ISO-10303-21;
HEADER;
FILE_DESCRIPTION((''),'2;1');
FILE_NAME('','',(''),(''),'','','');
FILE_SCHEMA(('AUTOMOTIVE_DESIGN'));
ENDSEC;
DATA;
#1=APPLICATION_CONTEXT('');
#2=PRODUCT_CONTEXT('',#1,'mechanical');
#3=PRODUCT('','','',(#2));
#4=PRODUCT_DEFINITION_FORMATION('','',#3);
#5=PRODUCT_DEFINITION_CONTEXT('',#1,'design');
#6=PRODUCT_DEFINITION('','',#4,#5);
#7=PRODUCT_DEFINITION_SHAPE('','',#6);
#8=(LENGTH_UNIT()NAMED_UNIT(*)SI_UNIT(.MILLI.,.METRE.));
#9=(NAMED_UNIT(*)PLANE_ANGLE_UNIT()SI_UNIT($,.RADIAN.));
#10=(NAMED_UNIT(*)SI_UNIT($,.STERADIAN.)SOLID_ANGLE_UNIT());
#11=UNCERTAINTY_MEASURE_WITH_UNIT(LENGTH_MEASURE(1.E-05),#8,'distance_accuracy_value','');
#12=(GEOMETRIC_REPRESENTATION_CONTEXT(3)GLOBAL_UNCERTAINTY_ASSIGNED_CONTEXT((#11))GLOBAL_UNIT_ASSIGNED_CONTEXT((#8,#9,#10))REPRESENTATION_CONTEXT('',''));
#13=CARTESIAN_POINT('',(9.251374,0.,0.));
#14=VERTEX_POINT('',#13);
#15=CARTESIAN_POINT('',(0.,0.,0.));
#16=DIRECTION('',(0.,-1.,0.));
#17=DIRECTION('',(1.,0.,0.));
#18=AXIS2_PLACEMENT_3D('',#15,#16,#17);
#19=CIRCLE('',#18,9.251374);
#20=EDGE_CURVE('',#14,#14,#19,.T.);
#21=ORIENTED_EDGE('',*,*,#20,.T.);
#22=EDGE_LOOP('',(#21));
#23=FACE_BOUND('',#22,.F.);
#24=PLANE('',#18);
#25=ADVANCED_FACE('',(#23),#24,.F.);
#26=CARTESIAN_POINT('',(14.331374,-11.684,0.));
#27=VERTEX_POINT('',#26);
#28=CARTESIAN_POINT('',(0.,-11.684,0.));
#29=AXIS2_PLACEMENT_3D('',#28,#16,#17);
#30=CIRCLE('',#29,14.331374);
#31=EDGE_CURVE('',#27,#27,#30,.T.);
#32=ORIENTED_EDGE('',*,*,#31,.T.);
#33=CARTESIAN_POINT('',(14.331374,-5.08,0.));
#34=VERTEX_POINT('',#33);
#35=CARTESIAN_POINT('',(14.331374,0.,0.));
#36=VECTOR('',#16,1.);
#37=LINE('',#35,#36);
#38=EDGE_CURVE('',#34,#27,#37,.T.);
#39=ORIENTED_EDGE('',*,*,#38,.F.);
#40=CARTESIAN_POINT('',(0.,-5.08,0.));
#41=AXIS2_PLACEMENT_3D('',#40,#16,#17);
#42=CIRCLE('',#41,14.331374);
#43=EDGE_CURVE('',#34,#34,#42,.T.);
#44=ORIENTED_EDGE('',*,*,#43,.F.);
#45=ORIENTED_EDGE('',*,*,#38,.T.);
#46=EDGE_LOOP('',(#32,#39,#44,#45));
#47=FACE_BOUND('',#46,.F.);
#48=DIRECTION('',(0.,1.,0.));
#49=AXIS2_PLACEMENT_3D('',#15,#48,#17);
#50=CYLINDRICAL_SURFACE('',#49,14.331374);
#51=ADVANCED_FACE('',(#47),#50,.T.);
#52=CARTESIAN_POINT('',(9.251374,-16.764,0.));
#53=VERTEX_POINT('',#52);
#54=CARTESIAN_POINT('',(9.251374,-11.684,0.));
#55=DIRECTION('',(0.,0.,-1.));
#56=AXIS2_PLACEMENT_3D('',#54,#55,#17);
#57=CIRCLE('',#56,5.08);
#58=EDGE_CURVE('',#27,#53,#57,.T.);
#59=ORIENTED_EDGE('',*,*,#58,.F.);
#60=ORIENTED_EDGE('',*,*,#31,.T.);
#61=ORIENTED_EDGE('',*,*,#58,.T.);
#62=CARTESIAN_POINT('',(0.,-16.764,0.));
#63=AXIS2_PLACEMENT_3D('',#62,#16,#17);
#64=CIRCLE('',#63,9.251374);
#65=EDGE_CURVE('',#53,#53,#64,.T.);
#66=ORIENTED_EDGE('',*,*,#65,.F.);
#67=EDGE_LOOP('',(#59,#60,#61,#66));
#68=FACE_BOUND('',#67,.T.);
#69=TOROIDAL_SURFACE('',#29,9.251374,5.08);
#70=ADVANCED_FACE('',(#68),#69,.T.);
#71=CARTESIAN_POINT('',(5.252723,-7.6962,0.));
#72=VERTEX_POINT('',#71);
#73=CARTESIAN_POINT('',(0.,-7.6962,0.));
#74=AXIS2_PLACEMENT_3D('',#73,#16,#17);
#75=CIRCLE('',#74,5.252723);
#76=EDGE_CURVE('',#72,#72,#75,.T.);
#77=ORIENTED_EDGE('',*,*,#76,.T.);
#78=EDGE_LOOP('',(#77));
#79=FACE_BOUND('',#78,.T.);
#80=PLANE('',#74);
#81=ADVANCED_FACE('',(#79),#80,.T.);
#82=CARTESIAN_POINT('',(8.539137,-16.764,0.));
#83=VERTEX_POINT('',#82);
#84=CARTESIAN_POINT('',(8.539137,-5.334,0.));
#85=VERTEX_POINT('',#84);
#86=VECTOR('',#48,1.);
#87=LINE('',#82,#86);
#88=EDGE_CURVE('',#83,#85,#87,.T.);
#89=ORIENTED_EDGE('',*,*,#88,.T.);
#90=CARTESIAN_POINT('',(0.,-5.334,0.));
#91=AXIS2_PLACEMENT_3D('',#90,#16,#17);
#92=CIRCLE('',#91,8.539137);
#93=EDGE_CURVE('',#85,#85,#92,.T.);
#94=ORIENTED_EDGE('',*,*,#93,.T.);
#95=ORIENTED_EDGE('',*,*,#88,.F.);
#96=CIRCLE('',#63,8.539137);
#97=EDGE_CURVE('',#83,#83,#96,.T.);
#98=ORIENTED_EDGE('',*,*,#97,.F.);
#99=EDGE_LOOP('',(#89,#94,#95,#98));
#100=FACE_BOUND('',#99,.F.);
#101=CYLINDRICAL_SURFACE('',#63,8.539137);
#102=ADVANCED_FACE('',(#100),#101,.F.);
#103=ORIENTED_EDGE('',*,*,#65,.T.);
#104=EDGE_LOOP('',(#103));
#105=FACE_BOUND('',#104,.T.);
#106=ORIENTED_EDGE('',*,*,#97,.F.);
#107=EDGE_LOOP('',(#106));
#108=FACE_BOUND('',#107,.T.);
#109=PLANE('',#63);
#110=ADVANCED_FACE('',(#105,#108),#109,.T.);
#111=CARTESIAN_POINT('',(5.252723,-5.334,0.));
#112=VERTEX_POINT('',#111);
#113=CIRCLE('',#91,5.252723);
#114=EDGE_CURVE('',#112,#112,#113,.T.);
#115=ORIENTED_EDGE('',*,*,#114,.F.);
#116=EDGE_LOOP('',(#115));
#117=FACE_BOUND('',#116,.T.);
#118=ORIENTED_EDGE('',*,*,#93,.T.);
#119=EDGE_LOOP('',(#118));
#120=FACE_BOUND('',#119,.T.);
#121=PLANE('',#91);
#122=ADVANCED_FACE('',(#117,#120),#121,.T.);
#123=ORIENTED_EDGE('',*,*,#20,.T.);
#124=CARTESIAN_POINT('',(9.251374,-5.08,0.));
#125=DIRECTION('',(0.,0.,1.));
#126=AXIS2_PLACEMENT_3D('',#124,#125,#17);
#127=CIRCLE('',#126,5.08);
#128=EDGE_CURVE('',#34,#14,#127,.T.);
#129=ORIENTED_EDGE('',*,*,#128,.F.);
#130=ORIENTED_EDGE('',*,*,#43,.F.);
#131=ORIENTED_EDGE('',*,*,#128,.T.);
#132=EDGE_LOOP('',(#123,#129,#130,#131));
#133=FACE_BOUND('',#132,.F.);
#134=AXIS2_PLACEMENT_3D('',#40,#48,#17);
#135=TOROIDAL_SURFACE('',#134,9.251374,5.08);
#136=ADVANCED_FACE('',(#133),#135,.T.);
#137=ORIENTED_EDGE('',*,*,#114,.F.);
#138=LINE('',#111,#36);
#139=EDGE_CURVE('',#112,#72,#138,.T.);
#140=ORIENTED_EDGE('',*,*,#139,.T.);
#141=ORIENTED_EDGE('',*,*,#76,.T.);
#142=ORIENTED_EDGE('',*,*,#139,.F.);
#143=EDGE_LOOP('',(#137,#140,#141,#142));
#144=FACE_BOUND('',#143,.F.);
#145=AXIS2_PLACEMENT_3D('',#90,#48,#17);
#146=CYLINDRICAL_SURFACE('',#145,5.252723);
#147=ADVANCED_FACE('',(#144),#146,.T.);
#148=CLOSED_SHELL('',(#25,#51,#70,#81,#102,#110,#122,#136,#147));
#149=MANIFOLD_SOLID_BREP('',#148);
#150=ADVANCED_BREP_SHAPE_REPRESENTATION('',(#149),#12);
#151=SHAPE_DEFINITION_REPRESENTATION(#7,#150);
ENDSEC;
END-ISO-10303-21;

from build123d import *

# Parameters (mm, degrees)
F0_R     = 14.331374
F1_DEPTH = 16.764
F2_R     = 5.08
F3_R     = 5.08
F4_R     = 8.539137
F5_DEPTH = 11.43
F6_R     = 5.252723
F7_DEPTH = 2.3622


with BuildPart() as f1:
    # F0 (on Front) → F1 (new body)
    with BuildSketch(Plane.XZ):
        Circle(F0_R)
    extrude(amount=F1_DEPTH)

    # F2
    f2_edges = [f1.edges().sort_by_distance(p)[0] for p in [
        (-14.331374, -16.764, 0),
    ]]
    fillet(f2_edges, radius=F2_R)

    # F3
    f3_edges = [f1.edges().sort_by_distance(p)[0] for p in [
        (-14.331374, 0, 0),
    ]]
    fillet(f3_edges, radius=F3_R)

    # F4 (on face) → F5 (cut)
    with BuildSketch(Plane.XZ.offset(16.764)):
        Circle(F4_R)
    extrude(amount=-F5_DEPTH, mode=Mode.SUBTRACT)

    # F6 (on face) → F7 (join)
    with BuildSketch(Plane.XZ.offset(5.334)):
        Circle(F6_R)
    extrude(amount=F7_DEPTH)


solid = f1.part
